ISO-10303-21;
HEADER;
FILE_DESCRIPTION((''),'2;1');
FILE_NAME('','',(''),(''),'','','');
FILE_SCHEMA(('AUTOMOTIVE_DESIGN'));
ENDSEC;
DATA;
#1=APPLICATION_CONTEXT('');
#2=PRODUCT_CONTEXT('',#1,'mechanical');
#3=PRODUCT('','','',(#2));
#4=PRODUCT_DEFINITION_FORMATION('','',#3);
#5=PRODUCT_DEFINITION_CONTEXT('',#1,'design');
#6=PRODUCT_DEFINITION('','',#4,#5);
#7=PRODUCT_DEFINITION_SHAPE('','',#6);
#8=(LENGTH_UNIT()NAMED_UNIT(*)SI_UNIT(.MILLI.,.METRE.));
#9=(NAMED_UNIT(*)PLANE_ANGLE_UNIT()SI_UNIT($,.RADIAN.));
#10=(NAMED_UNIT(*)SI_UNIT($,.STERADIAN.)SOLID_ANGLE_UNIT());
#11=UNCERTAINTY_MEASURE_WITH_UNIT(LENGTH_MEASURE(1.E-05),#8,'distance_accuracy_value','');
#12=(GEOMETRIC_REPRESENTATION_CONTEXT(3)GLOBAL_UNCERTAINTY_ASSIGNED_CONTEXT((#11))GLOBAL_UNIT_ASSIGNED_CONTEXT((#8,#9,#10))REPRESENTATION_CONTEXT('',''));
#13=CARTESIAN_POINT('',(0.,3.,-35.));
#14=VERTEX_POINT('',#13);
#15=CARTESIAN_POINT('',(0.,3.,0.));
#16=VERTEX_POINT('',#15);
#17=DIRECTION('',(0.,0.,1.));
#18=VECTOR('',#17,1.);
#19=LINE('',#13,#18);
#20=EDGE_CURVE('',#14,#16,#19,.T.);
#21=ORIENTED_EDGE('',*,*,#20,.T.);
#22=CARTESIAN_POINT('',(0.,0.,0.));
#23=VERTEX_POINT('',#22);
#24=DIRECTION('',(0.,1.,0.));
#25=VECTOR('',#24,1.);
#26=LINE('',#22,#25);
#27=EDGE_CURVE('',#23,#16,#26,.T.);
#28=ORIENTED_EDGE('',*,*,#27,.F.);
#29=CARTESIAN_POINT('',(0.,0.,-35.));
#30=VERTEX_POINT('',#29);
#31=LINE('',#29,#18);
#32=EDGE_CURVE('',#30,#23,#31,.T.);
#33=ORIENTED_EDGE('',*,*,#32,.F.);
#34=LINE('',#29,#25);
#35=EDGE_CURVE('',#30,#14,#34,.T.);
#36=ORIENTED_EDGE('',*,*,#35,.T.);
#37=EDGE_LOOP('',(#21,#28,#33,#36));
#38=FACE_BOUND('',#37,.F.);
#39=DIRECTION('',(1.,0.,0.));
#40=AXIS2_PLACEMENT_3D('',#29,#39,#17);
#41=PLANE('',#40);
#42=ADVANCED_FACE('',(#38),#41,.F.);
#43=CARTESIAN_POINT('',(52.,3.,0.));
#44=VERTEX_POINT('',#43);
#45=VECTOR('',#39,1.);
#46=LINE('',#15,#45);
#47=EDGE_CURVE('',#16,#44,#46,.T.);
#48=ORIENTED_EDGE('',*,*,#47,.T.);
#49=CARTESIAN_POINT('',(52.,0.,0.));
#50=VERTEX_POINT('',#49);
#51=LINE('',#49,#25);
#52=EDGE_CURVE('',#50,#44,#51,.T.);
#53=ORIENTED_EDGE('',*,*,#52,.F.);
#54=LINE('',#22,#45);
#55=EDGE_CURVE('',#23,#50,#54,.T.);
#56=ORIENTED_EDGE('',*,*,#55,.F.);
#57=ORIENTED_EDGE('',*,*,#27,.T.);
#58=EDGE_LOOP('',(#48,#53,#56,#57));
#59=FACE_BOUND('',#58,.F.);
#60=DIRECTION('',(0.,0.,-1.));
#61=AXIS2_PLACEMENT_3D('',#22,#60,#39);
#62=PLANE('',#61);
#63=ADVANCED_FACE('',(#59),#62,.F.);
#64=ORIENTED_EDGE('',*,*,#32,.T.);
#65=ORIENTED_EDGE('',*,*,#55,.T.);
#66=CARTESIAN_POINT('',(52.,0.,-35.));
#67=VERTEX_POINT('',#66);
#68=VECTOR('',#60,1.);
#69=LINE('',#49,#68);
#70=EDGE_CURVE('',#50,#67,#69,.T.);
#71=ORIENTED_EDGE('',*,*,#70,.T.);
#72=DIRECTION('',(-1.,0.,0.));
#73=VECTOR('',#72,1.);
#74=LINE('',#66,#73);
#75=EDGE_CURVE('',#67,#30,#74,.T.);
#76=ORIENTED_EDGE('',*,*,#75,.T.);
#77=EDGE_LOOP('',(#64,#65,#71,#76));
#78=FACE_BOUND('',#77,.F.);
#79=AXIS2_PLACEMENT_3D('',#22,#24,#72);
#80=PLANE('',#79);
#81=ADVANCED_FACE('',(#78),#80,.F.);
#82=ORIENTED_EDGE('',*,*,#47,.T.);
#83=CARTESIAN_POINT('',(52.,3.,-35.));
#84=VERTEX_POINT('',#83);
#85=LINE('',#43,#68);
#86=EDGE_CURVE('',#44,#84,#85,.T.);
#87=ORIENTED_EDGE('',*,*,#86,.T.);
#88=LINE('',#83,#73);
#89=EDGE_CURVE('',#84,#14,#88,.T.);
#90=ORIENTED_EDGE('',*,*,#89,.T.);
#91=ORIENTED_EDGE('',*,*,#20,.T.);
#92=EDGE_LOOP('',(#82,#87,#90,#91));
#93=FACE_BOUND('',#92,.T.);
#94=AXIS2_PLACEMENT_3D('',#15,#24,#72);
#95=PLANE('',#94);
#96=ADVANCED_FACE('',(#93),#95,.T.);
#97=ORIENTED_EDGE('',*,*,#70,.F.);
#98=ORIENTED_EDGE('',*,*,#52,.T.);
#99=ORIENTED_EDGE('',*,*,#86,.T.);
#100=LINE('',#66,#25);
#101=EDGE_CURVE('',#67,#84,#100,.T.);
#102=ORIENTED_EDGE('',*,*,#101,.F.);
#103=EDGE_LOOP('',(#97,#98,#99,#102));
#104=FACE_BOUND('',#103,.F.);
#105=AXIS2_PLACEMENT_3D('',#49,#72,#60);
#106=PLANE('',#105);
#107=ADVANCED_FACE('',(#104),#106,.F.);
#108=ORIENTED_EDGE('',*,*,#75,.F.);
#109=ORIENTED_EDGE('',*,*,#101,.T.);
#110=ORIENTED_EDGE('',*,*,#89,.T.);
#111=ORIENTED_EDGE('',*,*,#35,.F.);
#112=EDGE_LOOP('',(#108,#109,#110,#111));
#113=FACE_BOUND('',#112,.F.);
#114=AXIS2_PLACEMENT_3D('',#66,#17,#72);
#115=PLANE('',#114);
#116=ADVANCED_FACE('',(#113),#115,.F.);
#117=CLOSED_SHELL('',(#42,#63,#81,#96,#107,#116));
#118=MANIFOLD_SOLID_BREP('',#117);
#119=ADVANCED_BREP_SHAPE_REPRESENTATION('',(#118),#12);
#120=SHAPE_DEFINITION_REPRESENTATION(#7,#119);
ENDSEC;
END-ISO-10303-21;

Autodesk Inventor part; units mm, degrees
ref_plane "YZ Plane" through (0, 0, 0) normal (1, 0, 0) x (0, 1, 0)
ref_plane "XZ Plane" through (0, 0, 0) normal (0, 1, 0) x (-1, 0, 0)
ref_plane "XY Plane" through (0, 0, 0) normal (0, 0, 1) x (1, 0, 0)
sketch "Skizze1" plane through (0, 0, 0) normal (0, 0, 1) x (1, 0, 0)
  line L0 (0, 0) -> (52, 0)
  line L1 (52, 0) -> (52, 35)
  line L2 (52, 35) -> (0, 35)
  line L3 (0, 35) -> (0, 0)
  dimension "d0" = 35
  dimension "d1" = 52
extrude "Extrusion1" [suppressed]
sketch "Skizze2" plane through (0, 0, 0) normal (0, 1, 0) x (-1, 0, 0)
  line L0 (0, 0) -> (-52, 0)
  line L1 (-52, 0) -> (-52, -35)
  line L2 (-52, -35) -> (0, -35)
  line L3 (0, -35) -> (0, 0)
  dimension "d4" = 52
  dimension "d5" = 35
extrude "Extrusion2" add sketch "Skizze2" along normal blind 3
properties part number "wood_small_big"
